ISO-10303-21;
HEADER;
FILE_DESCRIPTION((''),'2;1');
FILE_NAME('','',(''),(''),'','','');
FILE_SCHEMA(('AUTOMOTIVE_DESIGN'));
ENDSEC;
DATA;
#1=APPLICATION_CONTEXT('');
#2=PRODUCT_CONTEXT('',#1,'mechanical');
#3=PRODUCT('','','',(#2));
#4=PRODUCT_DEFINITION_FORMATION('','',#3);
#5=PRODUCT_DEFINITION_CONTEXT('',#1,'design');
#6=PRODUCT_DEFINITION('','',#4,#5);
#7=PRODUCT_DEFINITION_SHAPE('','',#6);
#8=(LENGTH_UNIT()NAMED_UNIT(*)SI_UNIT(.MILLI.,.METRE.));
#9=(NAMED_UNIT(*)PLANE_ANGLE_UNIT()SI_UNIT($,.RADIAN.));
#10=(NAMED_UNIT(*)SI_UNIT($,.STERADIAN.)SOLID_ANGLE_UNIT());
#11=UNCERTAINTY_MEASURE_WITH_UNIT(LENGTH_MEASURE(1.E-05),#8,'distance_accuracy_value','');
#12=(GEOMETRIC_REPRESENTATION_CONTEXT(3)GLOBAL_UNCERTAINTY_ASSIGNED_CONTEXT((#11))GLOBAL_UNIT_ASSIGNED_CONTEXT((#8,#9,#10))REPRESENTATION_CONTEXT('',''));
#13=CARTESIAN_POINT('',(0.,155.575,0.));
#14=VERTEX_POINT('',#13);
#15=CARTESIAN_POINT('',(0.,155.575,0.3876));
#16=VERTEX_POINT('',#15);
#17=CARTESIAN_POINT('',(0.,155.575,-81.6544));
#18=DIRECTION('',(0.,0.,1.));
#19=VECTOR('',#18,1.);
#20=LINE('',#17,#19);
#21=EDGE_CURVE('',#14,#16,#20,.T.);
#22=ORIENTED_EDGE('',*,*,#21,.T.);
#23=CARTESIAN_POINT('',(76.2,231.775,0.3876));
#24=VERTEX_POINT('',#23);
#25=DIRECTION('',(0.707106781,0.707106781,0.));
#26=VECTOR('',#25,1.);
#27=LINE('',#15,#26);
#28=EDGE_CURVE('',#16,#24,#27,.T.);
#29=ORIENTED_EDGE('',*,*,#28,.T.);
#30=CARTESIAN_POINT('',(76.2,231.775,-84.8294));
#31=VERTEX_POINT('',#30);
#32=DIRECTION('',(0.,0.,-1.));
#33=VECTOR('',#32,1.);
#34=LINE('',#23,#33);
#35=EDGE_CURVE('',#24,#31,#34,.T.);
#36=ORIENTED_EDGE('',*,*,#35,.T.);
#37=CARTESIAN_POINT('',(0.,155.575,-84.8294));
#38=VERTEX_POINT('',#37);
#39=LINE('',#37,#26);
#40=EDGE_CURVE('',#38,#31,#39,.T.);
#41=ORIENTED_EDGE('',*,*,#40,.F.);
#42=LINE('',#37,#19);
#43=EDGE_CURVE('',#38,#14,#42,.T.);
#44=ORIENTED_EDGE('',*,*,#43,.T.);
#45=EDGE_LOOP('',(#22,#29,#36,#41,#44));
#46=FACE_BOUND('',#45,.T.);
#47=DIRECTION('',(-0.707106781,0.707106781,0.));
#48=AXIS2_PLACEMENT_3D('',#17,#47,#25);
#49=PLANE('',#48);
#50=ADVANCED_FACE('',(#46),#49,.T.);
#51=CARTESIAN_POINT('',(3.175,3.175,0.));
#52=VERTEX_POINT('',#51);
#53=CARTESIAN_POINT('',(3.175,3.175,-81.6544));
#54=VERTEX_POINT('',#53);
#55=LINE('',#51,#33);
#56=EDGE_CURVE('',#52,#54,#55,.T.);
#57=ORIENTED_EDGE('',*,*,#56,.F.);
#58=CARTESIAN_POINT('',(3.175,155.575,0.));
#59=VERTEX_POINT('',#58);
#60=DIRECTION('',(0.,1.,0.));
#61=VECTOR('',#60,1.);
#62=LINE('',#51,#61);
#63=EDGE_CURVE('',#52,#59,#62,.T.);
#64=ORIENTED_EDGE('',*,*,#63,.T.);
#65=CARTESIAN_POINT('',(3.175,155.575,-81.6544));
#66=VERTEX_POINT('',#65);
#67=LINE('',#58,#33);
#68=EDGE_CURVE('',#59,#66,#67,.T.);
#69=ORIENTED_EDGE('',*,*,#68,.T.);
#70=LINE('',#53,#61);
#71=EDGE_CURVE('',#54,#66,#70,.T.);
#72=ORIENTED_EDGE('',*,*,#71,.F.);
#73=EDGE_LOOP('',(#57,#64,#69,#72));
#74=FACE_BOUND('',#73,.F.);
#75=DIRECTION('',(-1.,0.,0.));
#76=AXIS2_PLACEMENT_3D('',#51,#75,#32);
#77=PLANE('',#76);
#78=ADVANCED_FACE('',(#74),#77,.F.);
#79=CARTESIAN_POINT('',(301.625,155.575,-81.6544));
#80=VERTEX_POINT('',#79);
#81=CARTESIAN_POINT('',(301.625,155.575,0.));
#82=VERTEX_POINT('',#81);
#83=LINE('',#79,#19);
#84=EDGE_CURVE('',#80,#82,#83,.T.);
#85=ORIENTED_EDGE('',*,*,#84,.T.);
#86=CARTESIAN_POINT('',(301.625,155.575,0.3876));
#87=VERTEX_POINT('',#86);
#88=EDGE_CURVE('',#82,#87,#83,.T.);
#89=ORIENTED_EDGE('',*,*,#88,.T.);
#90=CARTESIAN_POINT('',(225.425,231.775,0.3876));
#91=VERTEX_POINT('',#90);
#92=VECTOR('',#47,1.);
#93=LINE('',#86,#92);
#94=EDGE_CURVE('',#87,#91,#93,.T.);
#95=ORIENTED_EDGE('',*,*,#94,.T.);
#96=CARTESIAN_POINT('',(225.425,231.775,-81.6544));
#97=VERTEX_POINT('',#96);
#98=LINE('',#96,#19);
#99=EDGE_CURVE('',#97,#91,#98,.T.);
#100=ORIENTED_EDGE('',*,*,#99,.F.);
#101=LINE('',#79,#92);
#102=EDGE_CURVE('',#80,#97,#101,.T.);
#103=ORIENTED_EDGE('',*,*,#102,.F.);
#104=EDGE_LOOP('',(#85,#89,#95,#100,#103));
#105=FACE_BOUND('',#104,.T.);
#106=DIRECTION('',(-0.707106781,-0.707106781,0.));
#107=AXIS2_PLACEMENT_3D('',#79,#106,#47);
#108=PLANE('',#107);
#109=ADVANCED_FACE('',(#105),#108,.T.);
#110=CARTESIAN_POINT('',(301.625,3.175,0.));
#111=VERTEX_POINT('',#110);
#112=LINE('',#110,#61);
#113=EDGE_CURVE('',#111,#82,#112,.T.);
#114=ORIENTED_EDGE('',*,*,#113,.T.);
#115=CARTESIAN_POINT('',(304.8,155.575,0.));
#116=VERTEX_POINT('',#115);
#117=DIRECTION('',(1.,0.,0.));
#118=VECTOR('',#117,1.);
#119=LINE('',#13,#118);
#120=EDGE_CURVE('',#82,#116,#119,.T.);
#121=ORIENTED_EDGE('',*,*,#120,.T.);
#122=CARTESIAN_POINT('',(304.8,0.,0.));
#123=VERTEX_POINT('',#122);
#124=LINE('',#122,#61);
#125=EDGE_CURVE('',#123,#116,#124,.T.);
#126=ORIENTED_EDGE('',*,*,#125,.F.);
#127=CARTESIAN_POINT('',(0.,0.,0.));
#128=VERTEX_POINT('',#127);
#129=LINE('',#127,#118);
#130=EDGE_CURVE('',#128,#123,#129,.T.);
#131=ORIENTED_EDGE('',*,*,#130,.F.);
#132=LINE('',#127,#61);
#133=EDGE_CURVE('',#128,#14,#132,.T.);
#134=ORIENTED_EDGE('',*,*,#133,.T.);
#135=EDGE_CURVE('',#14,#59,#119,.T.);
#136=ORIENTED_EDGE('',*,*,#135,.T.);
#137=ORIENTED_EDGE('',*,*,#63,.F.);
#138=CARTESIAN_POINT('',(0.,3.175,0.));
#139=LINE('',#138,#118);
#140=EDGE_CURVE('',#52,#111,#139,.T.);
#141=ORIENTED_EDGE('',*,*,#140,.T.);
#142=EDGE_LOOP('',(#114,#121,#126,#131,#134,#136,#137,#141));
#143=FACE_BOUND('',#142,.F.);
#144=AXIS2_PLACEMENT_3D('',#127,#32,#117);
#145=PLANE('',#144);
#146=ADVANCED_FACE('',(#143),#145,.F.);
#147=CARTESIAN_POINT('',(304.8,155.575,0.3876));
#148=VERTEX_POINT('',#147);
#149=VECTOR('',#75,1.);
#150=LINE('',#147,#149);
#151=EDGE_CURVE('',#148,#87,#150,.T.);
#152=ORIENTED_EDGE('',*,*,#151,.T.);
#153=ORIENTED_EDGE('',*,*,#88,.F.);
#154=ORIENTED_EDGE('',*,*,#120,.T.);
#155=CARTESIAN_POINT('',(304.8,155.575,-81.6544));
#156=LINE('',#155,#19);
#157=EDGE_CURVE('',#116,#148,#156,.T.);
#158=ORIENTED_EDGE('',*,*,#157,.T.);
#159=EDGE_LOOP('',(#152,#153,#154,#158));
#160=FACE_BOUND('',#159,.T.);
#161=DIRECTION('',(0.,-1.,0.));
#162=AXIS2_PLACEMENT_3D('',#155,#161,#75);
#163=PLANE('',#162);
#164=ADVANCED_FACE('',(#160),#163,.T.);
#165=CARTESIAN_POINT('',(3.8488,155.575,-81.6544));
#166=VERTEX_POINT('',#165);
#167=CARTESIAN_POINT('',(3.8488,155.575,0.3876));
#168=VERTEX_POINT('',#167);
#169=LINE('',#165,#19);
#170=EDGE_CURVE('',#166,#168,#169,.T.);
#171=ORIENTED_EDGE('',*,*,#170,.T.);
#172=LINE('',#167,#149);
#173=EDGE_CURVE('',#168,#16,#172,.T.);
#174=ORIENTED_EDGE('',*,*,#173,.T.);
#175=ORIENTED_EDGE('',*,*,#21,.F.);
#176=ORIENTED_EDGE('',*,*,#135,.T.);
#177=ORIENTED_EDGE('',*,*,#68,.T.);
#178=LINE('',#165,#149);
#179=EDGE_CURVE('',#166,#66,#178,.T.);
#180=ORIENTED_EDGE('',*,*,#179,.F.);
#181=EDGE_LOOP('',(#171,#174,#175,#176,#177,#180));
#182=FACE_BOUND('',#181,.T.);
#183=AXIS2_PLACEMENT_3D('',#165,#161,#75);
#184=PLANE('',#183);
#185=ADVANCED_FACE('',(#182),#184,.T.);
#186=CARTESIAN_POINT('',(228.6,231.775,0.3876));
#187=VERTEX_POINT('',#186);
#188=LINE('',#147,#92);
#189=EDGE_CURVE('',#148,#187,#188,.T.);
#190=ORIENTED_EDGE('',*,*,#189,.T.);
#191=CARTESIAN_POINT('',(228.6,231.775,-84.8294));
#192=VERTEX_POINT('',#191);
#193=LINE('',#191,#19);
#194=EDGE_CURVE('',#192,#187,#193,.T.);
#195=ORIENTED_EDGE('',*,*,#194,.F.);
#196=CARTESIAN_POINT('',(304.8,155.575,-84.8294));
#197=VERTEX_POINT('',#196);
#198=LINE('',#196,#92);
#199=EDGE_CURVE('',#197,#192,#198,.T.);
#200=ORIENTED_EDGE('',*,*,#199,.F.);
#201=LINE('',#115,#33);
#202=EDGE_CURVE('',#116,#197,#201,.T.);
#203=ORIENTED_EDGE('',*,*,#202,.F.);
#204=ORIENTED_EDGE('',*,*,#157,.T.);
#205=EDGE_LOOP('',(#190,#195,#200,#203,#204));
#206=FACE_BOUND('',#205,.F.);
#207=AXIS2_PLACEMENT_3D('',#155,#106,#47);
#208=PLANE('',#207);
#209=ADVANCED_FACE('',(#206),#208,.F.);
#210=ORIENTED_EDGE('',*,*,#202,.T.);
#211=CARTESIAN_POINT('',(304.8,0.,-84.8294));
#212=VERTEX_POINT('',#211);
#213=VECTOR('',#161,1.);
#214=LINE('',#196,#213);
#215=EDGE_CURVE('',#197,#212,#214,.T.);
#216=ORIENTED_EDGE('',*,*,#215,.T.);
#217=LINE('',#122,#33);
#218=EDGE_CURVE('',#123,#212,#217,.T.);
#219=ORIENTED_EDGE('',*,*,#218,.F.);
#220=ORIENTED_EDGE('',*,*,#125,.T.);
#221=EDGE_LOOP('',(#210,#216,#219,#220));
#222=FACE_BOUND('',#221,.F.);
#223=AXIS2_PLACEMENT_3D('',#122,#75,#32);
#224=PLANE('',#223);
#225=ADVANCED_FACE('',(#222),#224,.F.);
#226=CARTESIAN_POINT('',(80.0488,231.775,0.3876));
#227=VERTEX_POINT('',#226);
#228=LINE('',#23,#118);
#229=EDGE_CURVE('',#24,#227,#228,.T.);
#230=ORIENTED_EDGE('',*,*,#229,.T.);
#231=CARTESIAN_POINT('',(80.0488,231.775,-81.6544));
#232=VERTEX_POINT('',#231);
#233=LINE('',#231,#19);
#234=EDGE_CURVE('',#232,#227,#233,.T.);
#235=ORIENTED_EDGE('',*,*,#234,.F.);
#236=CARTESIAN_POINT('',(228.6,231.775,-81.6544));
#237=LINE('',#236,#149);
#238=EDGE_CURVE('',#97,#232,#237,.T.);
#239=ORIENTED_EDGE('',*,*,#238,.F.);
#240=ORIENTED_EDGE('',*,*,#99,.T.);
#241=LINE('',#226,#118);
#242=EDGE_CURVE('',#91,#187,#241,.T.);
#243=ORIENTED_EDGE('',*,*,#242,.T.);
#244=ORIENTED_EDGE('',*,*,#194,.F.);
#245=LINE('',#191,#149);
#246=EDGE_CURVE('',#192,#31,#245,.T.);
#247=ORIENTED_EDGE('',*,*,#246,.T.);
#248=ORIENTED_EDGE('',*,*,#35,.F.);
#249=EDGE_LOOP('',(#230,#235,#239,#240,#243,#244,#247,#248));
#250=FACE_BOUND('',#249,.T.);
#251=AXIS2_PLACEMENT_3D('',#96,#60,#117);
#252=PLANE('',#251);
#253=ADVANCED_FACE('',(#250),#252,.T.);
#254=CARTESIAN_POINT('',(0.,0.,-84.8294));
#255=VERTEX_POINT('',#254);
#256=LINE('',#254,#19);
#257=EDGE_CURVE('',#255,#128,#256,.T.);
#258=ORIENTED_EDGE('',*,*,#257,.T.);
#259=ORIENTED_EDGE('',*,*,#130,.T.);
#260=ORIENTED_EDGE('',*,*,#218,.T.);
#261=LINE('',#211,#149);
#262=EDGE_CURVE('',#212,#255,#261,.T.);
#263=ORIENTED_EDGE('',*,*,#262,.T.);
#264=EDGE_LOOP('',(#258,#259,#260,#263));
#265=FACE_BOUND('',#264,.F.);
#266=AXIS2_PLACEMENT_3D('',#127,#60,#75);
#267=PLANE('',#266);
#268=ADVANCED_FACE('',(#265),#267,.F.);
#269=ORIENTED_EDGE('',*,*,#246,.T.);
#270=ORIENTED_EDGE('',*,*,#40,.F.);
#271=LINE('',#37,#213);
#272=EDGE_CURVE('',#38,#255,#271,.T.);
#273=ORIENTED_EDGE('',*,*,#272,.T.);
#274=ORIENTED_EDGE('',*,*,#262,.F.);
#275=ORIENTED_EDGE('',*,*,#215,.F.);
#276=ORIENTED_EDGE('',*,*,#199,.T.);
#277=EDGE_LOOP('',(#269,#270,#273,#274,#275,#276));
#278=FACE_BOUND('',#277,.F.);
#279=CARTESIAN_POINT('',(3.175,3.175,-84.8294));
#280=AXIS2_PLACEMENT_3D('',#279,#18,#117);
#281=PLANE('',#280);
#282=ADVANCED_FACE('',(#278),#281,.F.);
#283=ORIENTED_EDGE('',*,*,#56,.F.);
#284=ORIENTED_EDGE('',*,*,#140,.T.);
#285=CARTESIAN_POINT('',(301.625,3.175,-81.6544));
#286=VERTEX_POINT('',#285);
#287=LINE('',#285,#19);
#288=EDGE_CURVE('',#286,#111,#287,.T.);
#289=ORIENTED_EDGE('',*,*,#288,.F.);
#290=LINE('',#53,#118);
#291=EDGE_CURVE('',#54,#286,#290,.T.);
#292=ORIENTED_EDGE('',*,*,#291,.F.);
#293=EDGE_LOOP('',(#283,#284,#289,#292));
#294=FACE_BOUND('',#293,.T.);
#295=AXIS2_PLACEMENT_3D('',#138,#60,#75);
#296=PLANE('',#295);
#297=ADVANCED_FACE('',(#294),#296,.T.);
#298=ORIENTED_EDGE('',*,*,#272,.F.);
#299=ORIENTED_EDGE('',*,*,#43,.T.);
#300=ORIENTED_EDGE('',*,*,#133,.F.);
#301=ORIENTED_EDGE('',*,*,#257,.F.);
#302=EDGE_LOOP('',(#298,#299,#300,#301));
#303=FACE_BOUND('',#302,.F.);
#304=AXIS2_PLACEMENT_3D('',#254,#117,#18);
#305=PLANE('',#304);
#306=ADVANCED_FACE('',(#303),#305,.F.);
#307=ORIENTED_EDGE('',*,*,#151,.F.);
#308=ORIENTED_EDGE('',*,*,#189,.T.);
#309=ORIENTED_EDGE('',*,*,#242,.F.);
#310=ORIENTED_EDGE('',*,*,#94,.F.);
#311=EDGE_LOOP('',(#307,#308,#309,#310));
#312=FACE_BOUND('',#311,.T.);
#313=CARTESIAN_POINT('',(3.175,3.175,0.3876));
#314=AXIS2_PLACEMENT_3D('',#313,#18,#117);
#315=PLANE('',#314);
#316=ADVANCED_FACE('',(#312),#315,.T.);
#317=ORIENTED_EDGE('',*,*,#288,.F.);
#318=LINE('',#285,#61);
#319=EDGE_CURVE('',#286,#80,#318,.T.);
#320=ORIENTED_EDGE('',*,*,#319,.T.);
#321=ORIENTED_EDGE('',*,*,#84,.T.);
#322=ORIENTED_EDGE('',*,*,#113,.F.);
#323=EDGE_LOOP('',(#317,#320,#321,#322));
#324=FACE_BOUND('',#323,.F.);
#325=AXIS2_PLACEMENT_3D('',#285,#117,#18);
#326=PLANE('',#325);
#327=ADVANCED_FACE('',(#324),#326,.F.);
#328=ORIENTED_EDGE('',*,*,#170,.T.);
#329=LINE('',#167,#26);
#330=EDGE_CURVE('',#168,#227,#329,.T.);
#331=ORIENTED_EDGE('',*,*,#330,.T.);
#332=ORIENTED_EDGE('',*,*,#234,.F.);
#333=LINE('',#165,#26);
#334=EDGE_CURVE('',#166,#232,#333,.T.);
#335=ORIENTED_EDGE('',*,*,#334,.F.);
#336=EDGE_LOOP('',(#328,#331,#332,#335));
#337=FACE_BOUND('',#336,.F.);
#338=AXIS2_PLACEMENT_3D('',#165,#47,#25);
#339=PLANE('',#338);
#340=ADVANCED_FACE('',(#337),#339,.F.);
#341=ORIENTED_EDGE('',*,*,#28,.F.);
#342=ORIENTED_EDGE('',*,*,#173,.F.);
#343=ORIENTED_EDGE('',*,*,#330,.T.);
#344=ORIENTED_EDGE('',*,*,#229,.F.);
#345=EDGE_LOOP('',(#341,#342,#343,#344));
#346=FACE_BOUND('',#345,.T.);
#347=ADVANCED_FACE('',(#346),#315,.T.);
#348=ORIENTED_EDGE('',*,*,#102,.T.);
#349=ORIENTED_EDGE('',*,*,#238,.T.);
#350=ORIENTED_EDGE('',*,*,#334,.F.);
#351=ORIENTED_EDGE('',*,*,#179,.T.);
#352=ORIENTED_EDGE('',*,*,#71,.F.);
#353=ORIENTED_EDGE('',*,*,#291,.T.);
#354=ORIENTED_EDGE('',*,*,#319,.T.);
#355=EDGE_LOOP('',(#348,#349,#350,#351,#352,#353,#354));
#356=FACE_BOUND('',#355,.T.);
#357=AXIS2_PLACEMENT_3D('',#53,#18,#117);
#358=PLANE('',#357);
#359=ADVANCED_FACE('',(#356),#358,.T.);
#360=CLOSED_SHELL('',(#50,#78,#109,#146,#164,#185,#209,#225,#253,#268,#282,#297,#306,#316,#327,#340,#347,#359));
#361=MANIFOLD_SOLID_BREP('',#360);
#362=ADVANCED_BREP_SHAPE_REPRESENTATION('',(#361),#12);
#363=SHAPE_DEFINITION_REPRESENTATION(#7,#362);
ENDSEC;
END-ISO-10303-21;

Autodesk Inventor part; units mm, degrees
ref_plane "YZ Plane" through (0, 0, 0) normal (1, 0, 0) x (0, 1, 0)
ref_plane "XZ Plane" through (0, 0, 0) normal (0, 1, 0) x (-1, 0, 0)
ref_plane "XY Plane" through (0, 0, 0) normal (0, 0, 1) x (1, 0, 0)
sketch "Sketch1" plane through (0, 0, 0) normal (0, 1, 0) x (-1, 0, 0)
  line L0 (0, 0) -> (-304.8, 0)
  line L1 (-304.8, 0) -> (-304.8, -84.8294)
  line L2 (-304.8, -84.8294) -> (0, -84.8294)
  line L3 (0, -84.8294) -> (0, 0)
  dimension "d0" = 304.8
extrude "Extrusion1" add sketch "Sketch1" along normal blind 3.175
sketch "Sketch2" plane through (0, 3.175, 0) normal (0, 1, 0) x (1, 0, 0)
  line L0 (0, 0) -> (304.8, 0) projected
  line L1 (3.175, 0) -> (3.175, 81.6544)
  line L2 (3.175, 81.6544) -> (301.625, 81.6544)
  line L3 (301.625, 81.6544) -> (301.625, 0)
  line L4 (304.8, 0) -> (304.8, 84.8294) projected
  line L5 (0, 84.8294) -> (0, 0) projected
  line L6 (304.8, 84.8294) -> (0, 84.8294) projected
  line L7 (0, 0) -> (3.175, 0)
  line L8 (304.8, 0) -> (301.625, 0)
  dimension "d3" = 3.175
  dimension "d4" = 3.175
  dimension "d5" = 3.175
extrude "Extrusion2" add sketch "Sketch2" along normal blind 152.4 contours L5 L6 L4 L0 L3 L2 L1
sketch "Sketch4" plane through (3.175, 3.175, -81.6544) normal (0, 0, 1) x (1, 0, 0)
  line L0 (-3.175, 152.4) -> (73.025, 228.6)
  line L1 (301.625, 152.4) -> (-3.175, 152.4) projected
  line L2 (301.625, 152.4) -> (225.425, 228.6)
  line L3 (225.425, 228.6) -> (73.025, 228.6)
  point P0 (-3.175, -3.175)
  point P1 (-3.175, 152.4)
  dimension "d11" = 152.4
  dimension "d12" = 76.2
extrude "Extrusion3" add sketch "Sketch4" against normal blind 3.175
sketch "Sketch7" plane through (3.175, 3.175, -81.6544) normal (0, 0, 1) x (1, 0, 0)
  line L0 (0.6738, 152.4) -> (76.8738, 228.6)
  line L1 (-3.175, 152.4) -> (73.025, 228.6) projected
  line L2 (0.6738, 152.4) -> (-3.175, 152.4)
  line L3 (73.025, 228.6) -> (225.425, 228.6) projected
  line L4 (73.025, 228.6) -> (76.8738, 228.6)
  point P0 (-3.175, -3.175)
extrude "Extrusion4" add sketch "Sketch7" along normal blind 82.042
sketch "Sketch8" plane through (3.175, 3.175, -81.6544) normal (0, 0, 1) x (1, 0, 0)
  line L0 (301.625, -3.175) -> (301.625, 152.4) projected
  line L1 (298.45, 0) -> (298.45, 152.4) projected
  line L2 (301.625, 152.4) -> (298.45, 152.4)
  line L3 (298.45, 152.4) -> (222.25, 228.6)
  line L4 (76.8738, 228.6) -> (225.425, 228.6) projected
  line L5 (301.625, 152.4) -> (225.425, 228.6)
  point P0 (-3.175, -3.175)
  dimension "d19" = 3.175
extrude "Extrusion5" add sketch "Sketch8" along normal blind 82.042
properties part number "15102898-16-P-0203"
